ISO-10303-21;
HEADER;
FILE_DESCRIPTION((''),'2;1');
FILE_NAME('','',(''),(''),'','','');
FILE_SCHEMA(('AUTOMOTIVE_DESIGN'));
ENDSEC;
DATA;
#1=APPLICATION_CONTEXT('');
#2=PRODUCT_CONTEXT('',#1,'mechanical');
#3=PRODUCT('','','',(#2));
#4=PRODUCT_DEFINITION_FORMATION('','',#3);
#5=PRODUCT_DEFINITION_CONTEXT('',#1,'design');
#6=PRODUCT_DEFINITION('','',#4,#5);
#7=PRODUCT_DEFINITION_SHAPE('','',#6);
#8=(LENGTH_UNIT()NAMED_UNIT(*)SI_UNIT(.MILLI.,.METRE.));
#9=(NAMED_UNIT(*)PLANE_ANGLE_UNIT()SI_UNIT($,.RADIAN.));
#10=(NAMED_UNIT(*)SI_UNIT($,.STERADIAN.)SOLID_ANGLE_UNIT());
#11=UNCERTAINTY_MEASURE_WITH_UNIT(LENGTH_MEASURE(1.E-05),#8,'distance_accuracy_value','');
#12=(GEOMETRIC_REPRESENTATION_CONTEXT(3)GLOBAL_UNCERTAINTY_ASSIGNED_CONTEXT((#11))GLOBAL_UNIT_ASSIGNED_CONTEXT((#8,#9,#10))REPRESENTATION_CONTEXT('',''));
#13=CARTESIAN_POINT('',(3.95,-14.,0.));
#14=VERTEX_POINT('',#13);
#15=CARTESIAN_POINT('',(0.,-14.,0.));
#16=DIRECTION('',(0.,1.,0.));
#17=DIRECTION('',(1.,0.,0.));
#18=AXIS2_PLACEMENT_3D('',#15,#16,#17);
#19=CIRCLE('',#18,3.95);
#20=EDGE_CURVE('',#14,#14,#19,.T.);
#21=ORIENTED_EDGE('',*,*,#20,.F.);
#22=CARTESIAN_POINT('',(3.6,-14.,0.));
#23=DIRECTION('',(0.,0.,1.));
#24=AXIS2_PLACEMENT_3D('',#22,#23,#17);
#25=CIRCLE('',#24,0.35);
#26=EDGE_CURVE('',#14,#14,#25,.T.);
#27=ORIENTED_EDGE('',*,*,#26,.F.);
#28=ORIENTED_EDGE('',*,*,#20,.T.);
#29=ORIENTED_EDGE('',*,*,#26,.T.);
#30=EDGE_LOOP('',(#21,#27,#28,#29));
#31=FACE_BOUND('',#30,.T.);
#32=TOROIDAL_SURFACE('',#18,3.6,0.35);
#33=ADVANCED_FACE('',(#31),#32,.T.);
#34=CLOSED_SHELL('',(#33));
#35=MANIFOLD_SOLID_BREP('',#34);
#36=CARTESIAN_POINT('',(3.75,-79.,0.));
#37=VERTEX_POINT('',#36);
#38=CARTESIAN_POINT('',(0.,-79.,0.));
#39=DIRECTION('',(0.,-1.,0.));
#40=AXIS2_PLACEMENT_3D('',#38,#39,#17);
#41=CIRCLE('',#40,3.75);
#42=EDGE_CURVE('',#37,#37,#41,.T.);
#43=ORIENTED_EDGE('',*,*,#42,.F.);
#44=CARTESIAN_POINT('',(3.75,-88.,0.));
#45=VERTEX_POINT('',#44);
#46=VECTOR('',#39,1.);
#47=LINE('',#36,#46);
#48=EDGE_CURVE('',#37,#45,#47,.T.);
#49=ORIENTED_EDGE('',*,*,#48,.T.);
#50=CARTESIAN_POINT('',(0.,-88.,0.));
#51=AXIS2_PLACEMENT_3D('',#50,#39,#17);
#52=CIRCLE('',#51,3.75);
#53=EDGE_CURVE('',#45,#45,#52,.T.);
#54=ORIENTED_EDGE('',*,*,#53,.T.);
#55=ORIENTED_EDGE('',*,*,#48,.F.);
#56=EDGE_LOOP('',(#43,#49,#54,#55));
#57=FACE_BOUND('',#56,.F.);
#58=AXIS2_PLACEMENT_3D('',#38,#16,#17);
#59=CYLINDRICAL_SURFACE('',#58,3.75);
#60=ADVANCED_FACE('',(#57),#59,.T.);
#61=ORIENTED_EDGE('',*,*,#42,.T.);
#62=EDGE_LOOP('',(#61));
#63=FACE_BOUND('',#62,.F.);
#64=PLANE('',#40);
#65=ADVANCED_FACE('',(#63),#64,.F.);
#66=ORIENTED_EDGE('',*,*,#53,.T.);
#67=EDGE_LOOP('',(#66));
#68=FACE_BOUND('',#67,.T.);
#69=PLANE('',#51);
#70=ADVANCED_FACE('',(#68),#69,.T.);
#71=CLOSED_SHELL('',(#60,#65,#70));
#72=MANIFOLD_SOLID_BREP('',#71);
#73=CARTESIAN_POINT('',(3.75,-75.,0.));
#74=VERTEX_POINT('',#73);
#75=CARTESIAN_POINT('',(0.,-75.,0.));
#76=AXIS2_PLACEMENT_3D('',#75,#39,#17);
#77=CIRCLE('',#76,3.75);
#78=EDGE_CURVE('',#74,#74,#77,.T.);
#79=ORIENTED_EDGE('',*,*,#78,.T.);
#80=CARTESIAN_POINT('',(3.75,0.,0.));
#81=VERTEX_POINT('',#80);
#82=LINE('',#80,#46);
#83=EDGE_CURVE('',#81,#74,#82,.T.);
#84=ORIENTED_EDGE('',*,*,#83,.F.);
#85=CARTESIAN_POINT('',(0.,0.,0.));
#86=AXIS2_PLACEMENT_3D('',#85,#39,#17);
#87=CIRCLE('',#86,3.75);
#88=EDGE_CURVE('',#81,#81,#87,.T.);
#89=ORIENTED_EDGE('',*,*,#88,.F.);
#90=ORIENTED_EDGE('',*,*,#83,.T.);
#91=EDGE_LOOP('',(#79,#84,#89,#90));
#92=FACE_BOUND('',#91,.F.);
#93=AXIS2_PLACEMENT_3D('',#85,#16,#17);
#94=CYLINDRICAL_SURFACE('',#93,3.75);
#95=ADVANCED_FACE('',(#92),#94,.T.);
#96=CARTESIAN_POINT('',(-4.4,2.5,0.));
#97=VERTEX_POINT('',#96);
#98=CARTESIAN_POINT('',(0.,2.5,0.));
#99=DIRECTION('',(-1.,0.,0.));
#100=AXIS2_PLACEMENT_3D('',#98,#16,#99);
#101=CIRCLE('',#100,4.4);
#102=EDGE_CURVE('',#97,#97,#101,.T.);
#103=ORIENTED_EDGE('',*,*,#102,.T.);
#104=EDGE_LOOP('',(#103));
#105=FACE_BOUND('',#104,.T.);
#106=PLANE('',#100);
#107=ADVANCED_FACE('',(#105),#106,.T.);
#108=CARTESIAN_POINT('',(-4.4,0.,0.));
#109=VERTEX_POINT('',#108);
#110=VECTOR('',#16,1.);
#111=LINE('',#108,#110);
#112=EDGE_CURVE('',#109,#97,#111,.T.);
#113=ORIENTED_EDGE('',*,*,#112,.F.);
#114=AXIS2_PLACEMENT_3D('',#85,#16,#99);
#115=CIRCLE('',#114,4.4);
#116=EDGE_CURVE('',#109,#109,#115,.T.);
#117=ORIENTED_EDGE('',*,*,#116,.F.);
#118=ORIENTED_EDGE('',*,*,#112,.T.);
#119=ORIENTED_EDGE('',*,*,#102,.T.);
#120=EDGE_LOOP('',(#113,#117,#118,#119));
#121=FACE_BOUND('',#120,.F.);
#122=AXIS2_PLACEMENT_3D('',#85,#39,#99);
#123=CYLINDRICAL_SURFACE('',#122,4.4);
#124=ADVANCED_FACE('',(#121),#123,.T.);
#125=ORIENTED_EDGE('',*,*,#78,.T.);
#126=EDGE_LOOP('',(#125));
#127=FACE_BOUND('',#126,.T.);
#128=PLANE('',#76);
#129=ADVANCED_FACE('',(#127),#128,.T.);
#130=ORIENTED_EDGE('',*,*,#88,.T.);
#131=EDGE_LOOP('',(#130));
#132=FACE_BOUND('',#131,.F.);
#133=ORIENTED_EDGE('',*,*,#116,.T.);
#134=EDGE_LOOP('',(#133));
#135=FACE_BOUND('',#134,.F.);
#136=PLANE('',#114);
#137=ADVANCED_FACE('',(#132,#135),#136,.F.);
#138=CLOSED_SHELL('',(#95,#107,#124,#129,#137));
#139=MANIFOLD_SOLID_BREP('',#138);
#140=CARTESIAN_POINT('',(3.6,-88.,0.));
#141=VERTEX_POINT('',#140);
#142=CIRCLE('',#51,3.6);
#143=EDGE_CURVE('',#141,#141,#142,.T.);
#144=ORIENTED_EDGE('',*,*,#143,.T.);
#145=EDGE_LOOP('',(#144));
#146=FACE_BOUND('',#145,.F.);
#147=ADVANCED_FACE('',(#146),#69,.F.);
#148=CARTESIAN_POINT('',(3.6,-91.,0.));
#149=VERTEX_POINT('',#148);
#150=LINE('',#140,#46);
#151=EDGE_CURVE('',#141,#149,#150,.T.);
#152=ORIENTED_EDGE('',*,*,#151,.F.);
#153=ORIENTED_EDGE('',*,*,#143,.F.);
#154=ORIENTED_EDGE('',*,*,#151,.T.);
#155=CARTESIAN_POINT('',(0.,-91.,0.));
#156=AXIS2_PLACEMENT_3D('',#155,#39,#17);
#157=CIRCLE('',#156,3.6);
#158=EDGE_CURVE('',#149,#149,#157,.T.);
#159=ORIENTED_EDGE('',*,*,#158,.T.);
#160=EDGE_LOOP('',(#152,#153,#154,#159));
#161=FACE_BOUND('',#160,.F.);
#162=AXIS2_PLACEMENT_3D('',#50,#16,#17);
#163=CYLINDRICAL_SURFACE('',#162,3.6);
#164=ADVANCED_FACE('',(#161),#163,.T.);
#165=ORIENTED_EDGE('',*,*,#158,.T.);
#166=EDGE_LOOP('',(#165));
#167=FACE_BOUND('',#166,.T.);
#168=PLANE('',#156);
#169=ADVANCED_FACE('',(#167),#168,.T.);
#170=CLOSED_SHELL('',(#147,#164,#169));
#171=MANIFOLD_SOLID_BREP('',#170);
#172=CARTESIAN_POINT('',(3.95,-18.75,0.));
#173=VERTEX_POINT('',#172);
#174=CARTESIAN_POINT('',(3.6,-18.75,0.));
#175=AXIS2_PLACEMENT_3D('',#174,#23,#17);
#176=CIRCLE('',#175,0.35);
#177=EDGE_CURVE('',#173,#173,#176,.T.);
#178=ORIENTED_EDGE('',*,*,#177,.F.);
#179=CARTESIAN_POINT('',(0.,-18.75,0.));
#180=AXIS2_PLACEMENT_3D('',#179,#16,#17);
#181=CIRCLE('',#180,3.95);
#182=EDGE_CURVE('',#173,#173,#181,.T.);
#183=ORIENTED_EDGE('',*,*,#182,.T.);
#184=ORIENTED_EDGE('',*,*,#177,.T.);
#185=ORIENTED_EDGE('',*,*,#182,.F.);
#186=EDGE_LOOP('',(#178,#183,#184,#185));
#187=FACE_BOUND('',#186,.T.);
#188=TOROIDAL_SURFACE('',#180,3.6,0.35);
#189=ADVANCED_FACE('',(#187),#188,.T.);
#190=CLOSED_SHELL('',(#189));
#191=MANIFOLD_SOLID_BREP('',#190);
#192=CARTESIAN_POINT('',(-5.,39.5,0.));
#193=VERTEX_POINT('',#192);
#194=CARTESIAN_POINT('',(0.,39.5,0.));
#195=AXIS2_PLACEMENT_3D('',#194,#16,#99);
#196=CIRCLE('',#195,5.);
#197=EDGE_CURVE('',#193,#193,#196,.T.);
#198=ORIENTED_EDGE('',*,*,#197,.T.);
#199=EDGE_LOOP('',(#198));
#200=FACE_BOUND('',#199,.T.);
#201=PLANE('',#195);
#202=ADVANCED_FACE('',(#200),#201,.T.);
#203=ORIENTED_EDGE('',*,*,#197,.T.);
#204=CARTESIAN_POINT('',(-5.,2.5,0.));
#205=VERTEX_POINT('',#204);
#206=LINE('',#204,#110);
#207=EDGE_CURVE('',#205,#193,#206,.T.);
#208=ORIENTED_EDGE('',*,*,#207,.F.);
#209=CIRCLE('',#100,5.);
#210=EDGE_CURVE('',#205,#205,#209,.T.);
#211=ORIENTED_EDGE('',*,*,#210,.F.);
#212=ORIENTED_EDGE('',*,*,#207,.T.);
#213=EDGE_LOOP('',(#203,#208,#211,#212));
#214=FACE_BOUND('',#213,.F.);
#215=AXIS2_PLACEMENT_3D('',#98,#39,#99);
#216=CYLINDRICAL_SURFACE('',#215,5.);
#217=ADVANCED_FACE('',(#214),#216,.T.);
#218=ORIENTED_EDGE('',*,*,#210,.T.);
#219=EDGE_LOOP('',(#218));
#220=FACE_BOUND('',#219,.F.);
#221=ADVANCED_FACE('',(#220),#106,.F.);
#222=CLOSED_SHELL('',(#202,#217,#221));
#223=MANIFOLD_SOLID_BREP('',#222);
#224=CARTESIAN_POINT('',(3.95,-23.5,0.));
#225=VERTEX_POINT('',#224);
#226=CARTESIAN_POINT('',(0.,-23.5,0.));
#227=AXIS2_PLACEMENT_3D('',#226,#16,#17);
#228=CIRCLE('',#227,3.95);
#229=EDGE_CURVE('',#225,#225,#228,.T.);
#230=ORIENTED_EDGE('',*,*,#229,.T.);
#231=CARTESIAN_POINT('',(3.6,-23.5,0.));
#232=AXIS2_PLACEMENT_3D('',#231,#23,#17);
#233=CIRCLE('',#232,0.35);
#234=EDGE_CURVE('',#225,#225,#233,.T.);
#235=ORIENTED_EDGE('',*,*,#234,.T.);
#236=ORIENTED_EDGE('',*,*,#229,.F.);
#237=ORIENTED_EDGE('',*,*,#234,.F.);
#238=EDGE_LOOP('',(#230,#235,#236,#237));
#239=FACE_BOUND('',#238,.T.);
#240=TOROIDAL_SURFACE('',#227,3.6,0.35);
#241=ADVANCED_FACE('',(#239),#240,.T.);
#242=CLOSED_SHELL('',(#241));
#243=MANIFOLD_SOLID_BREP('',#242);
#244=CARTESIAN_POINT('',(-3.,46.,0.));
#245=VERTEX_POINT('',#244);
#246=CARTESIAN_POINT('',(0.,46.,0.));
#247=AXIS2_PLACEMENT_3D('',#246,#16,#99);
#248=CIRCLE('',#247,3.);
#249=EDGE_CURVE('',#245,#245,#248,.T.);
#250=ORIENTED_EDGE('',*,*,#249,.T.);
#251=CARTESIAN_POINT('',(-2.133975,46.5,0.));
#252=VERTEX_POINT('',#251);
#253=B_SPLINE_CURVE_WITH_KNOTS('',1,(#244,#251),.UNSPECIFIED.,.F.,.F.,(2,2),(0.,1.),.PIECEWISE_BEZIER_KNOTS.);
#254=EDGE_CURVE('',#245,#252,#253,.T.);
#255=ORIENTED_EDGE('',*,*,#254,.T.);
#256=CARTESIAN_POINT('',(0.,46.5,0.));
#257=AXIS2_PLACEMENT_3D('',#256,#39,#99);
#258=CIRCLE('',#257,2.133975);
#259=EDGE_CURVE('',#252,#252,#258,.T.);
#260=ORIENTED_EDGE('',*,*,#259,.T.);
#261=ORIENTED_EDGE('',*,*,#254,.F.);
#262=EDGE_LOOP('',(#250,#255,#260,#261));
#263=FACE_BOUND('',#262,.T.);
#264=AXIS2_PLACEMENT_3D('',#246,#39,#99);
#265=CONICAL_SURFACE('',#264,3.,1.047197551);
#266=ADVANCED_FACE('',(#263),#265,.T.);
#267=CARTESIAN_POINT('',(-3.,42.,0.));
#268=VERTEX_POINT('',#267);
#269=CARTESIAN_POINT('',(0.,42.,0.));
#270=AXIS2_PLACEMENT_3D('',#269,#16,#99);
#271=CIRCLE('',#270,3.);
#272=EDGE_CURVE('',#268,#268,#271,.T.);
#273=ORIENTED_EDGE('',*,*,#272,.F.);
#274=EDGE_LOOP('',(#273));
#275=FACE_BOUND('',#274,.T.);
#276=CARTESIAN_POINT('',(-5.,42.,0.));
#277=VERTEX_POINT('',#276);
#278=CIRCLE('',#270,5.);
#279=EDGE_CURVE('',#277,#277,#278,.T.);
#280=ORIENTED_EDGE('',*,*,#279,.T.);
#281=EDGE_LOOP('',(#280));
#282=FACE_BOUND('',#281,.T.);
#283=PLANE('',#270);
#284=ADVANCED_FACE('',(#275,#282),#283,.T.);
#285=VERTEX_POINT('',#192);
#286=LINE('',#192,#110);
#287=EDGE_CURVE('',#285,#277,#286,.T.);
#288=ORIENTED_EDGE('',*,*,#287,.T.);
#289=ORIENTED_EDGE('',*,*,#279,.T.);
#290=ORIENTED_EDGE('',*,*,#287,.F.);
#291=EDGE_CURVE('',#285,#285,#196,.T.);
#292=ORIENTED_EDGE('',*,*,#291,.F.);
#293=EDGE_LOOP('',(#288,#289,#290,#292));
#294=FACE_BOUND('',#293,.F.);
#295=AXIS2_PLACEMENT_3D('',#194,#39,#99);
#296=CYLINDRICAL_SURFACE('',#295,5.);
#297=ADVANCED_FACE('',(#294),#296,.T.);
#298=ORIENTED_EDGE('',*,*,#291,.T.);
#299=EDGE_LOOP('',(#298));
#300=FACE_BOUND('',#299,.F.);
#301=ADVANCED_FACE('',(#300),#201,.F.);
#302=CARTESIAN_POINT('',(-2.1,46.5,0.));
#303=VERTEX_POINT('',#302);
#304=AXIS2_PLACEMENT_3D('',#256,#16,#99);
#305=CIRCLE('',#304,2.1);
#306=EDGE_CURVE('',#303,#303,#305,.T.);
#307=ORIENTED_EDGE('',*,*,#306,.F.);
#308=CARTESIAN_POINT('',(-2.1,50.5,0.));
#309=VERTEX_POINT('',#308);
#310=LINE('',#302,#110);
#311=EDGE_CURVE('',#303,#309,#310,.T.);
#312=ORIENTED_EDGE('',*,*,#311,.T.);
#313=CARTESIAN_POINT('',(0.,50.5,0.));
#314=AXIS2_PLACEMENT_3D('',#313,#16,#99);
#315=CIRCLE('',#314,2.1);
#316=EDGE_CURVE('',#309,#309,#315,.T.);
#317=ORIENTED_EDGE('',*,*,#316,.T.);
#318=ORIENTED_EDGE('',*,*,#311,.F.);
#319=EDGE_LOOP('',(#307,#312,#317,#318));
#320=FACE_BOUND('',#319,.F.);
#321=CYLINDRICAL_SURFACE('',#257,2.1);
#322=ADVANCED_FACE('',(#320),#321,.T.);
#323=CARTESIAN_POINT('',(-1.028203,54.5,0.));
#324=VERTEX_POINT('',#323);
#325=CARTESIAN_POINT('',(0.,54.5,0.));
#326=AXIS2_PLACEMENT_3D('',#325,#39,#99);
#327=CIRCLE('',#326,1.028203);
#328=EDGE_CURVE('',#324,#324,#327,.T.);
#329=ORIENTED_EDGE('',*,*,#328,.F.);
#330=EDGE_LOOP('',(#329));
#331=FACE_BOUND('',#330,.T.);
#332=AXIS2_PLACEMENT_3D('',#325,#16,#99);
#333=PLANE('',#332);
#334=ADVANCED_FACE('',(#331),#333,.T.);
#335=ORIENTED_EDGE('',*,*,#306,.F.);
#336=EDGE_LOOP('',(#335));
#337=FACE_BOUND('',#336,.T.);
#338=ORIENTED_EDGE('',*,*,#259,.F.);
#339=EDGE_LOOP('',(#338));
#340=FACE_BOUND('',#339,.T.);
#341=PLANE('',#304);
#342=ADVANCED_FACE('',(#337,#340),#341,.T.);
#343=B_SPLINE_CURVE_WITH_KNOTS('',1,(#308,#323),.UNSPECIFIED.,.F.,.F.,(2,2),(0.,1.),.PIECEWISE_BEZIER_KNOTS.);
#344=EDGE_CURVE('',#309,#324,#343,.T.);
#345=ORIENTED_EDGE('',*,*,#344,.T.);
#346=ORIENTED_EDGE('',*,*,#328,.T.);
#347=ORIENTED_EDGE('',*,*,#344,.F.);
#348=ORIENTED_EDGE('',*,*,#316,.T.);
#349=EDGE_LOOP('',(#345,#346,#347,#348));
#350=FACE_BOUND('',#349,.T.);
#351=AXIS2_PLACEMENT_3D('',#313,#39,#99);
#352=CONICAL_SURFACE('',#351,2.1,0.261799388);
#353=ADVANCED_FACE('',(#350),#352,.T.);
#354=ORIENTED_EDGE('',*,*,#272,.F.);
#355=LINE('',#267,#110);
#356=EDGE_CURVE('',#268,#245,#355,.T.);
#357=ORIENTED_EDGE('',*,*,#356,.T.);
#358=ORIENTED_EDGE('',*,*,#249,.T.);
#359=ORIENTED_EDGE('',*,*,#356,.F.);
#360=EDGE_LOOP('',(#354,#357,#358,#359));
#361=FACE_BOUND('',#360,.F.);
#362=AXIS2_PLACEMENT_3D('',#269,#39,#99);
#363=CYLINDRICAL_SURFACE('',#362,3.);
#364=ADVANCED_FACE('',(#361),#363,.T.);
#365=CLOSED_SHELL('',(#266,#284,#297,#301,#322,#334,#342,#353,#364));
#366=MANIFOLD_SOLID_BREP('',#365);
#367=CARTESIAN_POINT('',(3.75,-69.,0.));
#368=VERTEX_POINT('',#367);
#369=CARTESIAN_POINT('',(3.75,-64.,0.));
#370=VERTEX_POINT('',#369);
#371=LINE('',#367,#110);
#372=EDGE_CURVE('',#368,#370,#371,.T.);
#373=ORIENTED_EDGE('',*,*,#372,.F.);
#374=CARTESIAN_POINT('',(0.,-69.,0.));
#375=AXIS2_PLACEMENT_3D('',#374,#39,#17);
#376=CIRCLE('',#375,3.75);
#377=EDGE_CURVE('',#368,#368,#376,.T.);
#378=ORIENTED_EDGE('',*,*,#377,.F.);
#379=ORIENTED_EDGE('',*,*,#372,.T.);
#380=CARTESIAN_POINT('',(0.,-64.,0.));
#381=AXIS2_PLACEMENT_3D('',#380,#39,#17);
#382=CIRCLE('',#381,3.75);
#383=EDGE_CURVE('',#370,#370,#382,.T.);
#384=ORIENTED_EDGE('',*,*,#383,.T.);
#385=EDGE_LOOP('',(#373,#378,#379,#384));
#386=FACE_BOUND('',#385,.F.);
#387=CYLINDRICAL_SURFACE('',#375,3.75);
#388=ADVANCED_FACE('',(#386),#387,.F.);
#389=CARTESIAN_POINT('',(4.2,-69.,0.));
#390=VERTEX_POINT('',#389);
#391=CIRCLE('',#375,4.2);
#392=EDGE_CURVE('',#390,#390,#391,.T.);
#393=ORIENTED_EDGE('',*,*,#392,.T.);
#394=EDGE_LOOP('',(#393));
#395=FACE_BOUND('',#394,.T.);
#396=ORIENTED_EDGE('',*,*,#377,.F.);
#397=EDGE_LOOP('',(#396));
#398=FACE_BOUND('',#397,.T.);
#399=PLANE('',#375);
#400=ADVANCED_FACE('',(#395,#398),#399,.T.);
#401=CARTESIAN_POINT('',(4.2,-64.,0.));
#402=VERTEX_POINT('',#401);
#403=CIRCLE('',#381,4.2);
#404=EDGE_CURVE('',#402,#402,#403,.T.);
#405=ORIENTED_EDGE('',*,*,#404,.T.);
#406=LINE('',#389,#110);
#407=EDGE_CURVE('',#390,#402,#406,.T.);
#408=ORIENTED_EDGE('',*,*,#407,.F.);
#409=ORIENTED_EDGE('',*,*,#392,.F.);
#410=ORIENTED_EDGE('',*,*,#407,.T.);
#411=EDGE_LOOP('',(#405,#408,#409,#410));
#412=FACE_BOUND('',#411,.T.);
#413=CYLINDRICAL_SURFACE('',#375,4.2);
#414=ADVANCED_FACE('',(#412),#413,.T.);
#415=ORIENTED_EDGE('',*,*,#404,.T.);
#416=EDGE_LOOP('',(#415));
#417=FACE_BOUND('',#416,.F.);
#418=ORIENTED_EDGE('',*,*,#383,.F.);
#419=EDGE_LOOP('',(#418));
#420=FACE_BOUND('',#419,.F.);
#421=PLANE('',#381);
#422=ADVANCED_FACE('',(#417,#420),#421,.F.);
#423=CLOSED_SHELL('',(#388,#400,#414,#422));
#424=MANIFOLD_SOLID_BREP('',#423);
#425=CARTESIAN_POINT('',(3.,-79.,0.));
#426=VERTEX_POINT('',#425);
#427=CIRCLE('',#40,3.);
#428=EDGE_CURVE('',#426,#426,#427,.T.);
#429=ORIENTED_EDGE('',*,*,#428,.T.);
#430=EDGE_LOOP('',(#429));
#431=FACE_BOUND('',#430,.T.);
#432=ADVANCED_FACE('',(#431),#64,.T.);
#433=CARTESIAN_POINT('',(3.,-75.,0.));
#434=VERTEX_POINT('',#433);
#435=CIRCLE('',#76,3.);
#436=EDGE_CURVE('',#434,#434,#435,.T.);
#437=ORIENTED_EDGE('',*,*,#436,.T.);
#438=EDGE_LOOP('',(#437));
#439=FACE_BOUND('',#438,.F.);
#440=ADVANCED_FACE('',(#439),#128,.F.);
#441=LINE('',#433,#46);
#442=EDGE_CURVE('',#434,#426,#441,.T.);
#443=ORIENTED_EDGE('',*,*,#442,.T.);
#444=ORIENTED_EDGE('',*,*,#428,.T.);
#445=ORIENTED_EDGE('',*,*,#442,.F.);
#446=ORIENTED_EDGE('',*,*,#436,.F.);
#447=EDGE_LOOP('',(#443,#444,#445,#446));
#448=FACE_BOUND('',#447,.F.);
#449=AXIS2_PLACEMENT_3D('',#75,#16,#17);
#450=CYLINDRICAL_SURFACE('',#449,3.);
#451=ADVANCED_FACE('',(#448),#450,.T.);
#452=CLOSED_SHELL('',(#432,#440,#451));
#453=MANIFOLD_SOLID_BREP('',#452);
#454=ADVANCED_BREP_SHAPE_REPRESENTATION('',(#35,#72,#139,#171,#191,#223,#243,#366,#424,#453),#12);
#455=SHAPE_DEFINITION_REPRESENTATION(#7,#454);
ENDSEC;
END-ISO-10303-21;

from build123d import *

# Parameters (mm, degrees)
F0_R      = 3.75
F1_DEPTH  = 75
F2_R      = 4.4
F3_DEPTH  = 2.5
F4_R      = 5
F5_DEPTH  = 37
F6_R      = 5
F7_DEPTH  = 2.5
F8_R      = 3
F9_DEPTH  = 4
F10_R     = 3
F11_DEPTH = 0.5
F11_TAPER = 60
F12_R     = 2.1
F13_DEPTH = 4
F14_R     = 2.1
F15_DEPTH = 4
F15_TAPER = 15
F16_R     = 3
F17_DEPTH = 4
F18_R     = 3.75
F19_DEPTH = 9
F20_R     = 3.6
F21_DEPTH = 3
F22_R     = 0.35
F25_R     = 4.2
F25_R_2   = 3.75
F26_DEPTH = 5


with BuildPart() as f1:
    # F0 (on Front) → F1 (new body)
    with BuildSketch(Plane.XZ):
        Circle(F0_R)
    extrude(amount=F1_DEPTH)

    # F2 (on face) → F3 (join)
    with BuildSketch(Plane(origin=(0, 0, 0), x_dir=(-1, 0, 0), z_dir=(0, 1, 0))):
        Circle(F2_R)
    extrude(amount=F3_DEPTH)


with BuildPart() as f5:
    # F4 (on face) → F5 (new body)
    with BuildSketch(Plane(origin=(0, 2.5, 0), x_dir=(-1, 0, 0), z_dir=(0, 1, 0))):
        Circle(F4_R)
    extrude(amount=F5_DEPTH)


with BuildPart() as f7:
    # F6 (on face) → F7 (new body)
    with BuildSketch(Plane(origin=(0, 39.5, 0), x_dir=(-1, 0, 0), z_dir=(0, 1, 0))):
        Circle(F6_R)
    extrude(amount=F7_DEPTH)

    # F8 (on face) → F9 (join)
    with BuildSketch(Plane(origin=(0, 42, 0), x_dir=(-1, 0, 0), z_dir=(0, 1, 0))):
        Circle(F8_R)
    extrude(amount=F9_DEPTH)

    # F10 (on face) → F11 (join)
    with BuildSketch(Plane(origin=(0, 46, 0), x_dir=(-1, 0, 0), z_dir=(0, 1, 0))):
        Circle(F10_R)
    extrude(amount=F11_DEPTH, taper=F11_TAPER)

    # F12 (on face) → F13 (join)
    with BuildSketch(Plane(origin=(0, 46.5, 0), x_dir=(-1, 0, 0), z_dir=(0, 1, 0))):
        Circle(F12_R)
    extrude(amount=F13_DEPTH)

    # F14 (on face) → F15 (join)
    with BuildSketch(Plane(origin=(0, 50.5, 0), x_dir=(-1, 0, 0), z_dir=(0, 1, 0))):
        Circle(F14_R)
    extrude(amount=F15_DEPTH, taper=F15_TAPER)


with BuildPart() as f17:
    # F16 (on face) → F17 (new body)
    with BuildSketch(Plane.XZ.offset(75)):
        Circle(F16_R)
    extrude(amount=F17_DEPTH)


with BuildPart() as f19:
    # F18 (on face) → F19 (new body)
    with BuildSketch(Plane.XZ.offset(79)):
        Circle(F18_R)
    extrude(amount=F19_DEPTH)


with BuildPart() as f21:
    # F20 (on face) → F21 (new body)
    with BuildSketch(Plane.XZ.offset(88)):
        Circle(F20_R)
    extrude(amount=F21_DEPTH)


with BuildPart() as f23:
    # F22 (on Top) → F23 (revolve)
    with BuildSketch(Plane.XY):
        with Locations((3.6, -14)):
            Circle(F22_R)
    revolve(axis=Axis((0, 0, 0), (0, 1, 0)))


with BuildPart() as f23b:
    # F22 (on Top) → F23, piece 2 (revolve)
    with BuildSketch(Plane.XY):
        with Locations((3.6, -18.75)):
            Circle(F22_R)
    revolve(axis=Axis((0, 0, 0), (0, 1, 0)))


with BuildPart() as f23c:
    # F22 (on Top) → F23, piece 3 (revolve)
    with BuildSketch(Plane.XY):
        with Locations((3.6, -23.5)):
            Circle(F22_R)
    revolve(axis=Axis((0, 0, 0), (0, 1, 0)))


with BuildPart() as f26:
    # F25 (on offset) → F26 (new body)
    with BuildSketch(Plane.XZ.offset(69)):
        Circle(F25_R)
        Circle(F25_R_2, mode=Mode.SUBTRACT)
    extrude(amount=-F26_DEPTH)


solid = Compound([f1.part, f5.part, f7.part, f17.part, f19.part, f21.part, f23.part, f23b.part, f23c.part, f26.part])
